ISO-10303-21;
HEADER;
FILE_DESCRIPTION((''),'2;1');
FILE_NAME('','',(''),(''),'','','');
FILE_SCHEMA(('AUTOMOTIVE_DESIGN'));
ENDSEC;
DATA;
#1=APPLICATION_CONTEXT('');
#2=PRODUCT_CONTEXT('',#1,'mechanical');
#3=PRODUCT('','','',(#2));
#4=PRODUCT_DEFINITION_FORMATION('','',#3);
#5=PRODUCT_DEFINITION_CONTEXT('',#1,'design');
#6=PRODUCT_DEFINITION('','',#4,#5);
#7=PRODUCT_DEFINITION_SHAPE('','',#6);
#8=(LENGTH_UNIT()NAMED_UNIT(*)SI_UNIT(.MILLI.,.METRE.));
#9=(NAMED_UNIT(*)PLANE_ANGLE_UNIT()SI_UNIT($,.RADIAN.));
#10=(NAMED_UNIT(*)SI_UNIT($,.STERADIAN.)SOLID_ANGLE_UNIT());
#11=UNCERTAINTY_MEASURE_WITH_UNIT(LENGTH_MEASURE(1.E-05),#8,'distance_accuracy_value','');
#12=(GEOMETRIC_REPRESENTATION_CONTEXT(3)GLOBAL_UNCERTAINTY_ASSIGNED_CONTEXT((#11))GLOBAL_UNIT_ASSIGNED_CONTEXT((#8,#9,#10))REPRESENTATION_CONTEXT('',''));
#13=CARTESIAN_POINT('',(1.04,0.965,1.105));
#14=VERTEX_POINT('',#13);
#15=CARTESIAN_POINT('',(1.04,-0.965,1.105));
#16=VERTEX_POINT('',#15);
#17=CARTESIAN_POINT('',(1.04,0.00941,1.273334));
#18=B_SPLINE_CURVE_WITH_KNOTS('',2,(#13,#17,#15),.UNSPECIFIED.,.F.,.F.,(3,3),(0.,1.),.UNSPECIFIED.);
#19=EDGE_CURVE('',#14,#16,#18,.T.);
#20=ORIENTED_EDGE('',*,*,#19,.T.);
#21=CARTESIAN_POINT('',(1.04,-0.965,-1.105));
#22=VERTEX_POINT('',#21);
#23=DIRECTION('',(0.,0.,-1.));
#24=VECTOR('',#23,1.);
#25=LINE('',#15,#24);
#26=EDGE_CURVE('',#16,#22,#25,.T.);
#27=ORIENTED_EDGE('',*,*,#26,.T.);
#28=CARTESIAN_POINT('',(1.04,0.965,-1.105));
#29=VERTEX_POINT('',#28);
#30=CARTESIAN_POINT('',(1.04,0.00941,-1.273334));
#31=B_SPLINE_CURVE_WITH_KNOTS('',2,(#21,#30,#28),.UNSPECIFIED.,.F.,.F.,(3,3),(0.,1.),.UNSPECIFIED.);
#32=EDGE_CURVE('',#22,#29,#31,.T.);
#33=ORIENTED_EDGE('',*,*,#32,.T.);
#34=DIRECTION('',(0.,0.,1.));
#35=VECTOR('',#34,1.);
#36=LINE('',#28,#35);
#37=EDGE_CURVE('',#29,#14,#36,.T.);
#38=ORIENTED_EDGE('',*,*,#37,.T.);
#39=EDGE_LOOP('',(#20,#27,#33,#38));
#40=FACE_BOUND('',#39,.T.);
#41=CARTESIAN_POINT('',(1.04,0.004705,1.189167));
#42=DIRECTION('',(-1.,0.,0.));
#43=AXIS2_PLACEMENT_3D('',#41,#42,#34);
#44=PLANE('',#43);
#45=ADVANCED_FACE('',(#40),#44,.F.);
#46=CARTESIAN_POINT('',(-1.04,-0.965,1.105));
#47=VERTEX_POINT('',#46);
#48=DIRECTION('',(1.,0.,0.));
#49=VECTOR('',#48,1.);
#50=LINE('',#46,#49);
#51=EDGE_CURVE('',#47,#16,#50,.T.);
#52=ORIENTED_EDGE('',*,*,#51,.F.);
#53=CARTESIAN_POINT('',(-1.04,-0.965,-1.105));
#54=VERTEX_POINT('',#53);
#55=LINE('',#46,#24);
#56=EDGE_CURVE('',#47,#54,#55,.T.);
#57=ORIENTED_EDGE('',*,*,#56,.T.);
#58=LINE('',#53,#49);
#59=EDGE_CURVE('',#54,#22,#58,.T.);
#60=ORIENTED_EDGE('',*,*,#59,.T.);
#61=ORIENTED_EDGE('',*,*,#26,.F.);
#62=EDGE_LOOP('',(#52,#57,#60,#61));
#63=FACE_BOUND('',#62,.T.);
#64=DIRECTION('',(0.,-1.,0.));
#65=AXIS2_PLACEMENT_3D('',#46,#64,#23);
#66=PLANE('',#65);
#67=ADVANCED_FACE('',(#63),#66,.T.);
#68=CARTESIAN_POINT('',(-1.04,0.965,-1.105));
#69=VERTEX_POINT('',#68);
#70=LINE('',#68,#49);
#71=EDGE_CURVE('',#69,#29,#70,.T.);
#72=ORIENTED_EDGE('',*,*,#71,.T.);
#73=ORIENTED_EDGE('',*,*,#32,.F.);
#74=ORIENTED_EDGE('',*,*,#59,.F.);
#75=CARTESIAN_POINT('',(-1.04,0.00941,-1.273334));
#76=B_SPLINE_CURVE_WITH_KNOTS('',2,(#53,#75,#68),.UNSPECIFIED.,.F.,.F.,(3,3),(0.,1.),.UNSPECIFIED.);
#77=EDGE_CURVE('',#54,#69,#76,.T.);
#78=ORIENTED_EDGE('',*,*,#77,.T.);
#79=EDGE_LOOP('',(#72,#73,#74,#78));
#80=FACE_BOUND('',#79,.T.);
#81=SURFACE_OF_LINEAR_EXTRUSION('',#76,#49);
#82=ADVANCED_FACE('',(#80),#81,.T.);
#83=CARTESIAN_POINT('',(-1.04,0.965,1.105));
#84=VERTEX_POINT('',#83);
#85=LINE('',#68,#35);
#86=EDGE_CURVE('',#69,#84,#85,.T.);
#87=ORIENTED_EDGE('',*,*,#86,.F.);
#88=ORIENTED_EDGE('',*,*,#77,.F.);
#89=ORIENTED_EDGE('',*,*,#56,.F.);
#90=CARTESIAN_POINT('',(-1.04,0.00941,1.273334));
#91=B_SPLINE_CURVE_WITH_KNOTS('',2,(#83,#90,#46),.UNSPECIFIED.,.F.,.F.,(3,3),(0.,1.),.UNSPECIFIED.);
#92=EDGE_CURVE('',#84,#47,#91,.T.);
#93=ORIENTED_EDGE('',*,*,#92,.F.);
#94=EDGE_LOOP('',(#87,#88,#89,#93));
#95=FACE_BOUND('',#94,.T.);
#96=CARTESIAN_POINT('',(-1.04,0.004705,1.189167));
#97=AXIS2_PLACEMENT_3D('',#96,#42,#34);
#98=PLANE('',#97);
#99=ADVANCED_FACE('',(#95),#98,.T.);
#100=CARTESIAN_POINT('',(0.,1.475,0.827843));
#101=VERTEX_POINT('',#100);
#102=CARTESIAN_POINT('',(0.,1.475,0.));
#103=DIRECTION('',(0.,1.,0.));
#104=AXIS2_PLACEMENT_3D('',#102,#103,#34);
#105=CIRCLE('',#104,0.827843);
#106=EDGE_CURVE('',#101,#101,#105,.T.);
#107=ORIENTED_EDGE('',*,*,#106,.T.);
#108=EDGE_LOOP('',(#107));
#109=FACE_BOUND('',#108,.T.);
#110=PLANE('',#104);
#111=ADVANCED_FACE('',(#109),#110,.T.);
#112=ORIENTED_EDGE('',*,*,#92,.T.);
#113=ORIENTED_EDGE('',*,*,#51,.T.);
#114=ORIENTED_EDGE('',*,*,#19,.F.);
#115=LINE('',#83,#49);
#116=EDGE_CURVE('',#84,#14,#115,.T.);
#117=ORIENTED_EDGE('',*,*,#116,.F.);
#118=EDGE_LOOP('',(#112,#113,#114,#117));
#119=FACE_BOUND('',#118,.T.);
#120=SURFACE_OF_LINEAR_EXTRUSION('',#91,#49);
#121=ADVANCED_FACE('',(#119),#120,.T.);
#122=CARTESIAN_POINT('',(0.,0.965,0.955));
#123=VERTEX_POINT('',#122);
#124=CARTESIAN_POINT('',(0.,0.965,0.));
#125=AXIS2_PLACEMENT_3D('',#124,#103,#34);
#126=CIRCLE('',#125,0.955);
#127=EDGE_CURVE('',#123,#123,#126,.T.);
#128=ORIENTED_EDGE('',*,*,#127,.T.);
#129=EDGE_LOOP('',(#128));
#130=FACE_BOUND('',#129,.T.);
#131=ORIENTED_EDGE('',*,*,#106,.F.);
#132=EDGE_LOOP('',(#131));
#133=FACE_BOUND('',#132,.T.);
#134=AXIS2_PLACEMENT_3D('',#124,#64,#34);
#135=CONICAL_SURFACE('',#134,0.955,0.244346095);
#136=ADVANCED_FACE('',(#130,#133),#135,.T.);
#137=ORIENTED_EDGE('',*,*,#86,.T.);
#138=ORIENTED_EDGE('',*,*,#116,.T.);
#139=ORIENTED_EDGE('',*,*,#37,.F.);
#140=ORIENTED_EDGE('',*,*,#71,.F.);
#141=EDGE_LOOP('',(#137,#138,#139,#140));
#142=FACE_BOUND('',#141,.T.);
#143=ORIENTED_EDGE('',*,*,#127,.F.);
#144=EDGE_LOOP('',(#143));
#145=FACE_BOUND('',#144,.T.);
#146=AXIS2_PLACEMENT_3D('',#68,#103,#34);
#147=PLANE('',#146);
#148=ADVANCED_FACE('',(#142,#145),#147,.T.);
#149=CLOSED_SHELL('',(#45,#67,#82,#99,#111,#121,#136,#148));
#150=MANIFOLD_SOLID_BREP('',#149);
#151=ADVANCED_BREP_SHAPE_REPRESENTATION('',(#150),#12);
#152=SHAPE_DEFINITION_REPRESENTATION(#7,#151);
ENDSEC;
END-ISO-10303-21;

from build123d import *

# Parameters (mm, degrees)
BOSS_EXTRUDE1_DEPTH      = 1.04
BOSS_EXTRUDE1_DEPTH_BACK = 1.04
SKETCH2_R                = 0.955
BOSS_EXTRUDE2_DEPTH      = 0.51
BOSS_EXTRUDE2_TAPER      = 14


with BuildPart() as part:
    # Sketch1 → Boss-Extrude1 (new, two sides: drawn at the far end of the back side and taken through both)
    with BuildSketch(Plane(origin=(0, 0, 0), x_dir=(0, 0, -1), z_dir=(1, 0, 0)).offset(-BOSS_EXTRUDE1_DEPTH_BACK)):
        with BuildLine():
            Line((-1.105, -0.965), (1.105, -0.965))
            add(Edge.make_bspline(
                [(1.105, 0.965), (1.273333661, 0.009409903), (1.105, -0.965)],
                knots=[0, 0, 0, 1, 1, 1], degree=2))
            Line((1.105, 0.965), (-1.105, 0.965))
            add(Edge.make_bspline(
                [(-1.105, 0.965), (-1.273333661, 0.009409903), (-1.105, -0.965)],
                knots=[0, 0, 0, 1, 1, 1], degree=2))
        make_face()
    extrude(amount=BOSS_EXTRUDE1_DEPTH + BOSS_EXTRUDE1_DEPTH_BACK)

    # Sketch2 → Boss-Extrude2 (add)
    with BuildSketch(Plane(origin=(0, 0.965, 0), x_dir=(1, 0, 0), z_dir=(0, 1, 0))):
        Circle(SKETCH2_R)
    extrude(amount=BOSS_EXTRUDE2_DEPTH, taper=BOSS_EXTRUDE2_TAPER)


solid = part.part
